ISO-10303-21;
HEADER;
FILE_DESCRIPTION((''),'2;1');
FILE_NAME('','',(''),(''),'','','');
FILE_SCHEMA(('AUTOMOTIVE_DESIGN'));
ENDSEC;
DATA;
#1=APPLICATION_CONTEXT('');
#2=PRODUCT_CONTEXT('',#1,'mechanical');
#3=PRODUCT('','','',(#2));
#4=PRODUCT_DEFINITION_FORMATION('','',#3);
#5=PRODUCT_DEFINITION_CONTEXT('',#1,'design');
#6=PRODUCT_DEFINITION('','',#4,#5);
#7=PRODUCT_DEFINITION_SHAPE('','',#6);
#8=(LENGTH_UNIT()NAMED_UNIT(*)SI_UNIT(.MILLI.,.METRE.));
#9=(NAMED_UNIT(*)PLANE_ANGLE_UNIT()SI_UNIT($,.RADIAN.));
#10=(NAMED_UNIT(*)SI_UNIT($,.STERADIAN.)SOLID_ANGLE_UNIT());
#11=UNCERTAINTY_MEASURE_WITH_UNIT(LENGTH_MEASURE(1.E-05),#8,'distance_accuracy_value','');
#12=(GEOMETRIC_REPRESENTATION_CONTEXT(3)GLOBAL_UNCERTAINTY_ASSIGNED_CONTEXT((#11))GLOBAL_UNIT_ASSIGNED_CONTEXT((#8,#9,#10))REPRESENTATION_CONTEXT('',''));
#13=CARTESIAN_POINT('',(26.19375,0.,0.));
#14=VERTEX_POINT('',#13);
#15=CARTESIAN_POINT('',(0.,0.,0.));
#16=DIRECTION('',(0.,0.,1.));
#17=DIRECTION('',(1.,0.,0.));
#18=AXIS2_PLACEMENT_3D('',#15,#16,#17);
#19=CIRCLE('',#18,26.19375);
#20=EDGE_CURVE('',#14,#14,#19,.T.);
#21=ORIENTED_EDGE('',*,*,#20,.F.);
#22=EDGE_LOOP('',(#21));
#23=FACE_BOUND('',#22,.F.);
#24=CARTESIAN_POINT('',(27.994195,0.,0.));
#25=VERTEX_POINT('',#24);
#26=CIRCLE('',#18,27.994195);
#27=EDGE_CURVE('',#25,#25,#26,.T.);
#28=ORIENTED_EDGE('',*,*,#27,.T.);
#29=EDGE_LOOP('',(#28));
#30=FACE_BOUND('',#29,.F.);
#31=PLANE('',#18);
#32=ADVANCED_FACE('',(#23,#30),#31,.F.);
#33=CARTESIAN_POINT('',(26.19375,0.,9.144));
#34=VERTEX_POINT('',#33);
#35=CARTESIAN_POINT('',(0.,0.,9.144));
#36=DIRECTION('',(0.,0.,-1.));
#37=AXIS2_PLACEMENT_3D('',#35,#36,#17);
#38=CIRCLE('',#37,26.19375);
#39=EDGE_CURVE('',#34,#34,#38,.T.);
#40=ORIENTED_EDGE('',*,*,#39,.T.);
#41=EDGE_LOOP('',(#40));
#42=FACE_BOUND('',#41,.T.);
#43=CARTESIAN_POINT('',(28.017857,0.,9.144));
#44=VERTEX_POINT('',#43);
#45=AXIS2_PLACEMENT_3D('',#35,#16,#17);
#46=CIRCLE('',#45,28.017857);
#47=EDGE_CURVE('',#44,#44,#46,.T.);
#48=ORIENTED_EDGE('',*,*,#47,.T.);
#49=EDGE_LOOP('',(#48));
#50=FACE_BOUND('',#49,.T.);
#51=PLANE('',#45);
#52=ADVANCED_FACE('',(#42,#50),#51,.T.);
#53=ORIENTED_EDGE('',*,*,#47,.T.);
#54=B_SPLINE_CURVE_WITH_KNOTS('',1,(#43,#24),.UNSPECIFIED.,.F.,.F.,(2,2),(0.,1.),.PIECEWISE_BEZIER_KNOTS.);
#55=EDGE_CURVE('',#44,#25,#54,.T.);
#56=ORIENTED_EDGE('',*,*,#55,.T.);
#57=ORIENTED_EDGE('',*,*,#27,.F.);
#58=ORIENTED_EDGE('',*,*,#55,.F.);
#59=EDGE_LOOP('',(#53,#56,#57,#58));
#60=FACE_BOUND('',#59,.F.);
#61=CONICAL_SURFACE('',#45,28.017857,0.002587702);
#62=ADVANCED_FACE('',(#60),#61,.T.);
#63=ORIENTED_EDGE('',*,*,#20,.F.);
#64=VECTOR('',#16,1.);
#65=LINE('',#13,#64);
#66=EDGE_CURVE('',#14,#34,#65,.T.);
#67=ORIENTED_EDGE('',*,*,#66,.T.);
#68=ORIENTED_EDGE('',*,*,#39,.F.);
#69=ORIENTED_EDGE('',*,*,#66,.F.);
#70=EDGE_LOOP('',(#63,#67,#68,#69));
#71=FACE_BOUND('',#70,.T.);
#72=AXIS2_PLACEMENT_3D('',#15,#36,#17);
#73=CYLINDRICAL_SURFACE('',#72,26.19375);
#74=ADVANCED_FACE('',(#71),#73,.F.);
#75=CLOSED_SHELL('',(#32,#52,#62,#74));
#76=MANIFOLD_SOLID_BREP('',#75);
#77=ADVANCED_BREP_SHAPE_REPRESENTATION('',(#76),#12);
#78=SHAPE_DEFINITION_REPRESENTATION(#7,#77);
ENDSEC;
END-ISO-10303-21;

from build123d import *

# Parameters (mm, degrees)
F3_R     = 28.017857
F2_R     = 27.994195
F0_R     = 26.19375
F5_DEPTH = 25.908


with BuildPart() as f4:
    # F3 (on offset) → F4 section 0
    with BuildSketch(Plane.XY.offset(9.144)):
        Circle(F3_R)
    # F2 (on Top) → F4 section 1
    with BuildSketch(Plane.XY):
        Circle(F2_R)
    loft()

    # F0 (on Top) → F5 (cut)
    with BuildSketch(Plane.XY):
        Circle(F0_R)
    extrude(amount=F5_DEPTH, mode=Mode.SUBTRACT)


solid = f4.part
